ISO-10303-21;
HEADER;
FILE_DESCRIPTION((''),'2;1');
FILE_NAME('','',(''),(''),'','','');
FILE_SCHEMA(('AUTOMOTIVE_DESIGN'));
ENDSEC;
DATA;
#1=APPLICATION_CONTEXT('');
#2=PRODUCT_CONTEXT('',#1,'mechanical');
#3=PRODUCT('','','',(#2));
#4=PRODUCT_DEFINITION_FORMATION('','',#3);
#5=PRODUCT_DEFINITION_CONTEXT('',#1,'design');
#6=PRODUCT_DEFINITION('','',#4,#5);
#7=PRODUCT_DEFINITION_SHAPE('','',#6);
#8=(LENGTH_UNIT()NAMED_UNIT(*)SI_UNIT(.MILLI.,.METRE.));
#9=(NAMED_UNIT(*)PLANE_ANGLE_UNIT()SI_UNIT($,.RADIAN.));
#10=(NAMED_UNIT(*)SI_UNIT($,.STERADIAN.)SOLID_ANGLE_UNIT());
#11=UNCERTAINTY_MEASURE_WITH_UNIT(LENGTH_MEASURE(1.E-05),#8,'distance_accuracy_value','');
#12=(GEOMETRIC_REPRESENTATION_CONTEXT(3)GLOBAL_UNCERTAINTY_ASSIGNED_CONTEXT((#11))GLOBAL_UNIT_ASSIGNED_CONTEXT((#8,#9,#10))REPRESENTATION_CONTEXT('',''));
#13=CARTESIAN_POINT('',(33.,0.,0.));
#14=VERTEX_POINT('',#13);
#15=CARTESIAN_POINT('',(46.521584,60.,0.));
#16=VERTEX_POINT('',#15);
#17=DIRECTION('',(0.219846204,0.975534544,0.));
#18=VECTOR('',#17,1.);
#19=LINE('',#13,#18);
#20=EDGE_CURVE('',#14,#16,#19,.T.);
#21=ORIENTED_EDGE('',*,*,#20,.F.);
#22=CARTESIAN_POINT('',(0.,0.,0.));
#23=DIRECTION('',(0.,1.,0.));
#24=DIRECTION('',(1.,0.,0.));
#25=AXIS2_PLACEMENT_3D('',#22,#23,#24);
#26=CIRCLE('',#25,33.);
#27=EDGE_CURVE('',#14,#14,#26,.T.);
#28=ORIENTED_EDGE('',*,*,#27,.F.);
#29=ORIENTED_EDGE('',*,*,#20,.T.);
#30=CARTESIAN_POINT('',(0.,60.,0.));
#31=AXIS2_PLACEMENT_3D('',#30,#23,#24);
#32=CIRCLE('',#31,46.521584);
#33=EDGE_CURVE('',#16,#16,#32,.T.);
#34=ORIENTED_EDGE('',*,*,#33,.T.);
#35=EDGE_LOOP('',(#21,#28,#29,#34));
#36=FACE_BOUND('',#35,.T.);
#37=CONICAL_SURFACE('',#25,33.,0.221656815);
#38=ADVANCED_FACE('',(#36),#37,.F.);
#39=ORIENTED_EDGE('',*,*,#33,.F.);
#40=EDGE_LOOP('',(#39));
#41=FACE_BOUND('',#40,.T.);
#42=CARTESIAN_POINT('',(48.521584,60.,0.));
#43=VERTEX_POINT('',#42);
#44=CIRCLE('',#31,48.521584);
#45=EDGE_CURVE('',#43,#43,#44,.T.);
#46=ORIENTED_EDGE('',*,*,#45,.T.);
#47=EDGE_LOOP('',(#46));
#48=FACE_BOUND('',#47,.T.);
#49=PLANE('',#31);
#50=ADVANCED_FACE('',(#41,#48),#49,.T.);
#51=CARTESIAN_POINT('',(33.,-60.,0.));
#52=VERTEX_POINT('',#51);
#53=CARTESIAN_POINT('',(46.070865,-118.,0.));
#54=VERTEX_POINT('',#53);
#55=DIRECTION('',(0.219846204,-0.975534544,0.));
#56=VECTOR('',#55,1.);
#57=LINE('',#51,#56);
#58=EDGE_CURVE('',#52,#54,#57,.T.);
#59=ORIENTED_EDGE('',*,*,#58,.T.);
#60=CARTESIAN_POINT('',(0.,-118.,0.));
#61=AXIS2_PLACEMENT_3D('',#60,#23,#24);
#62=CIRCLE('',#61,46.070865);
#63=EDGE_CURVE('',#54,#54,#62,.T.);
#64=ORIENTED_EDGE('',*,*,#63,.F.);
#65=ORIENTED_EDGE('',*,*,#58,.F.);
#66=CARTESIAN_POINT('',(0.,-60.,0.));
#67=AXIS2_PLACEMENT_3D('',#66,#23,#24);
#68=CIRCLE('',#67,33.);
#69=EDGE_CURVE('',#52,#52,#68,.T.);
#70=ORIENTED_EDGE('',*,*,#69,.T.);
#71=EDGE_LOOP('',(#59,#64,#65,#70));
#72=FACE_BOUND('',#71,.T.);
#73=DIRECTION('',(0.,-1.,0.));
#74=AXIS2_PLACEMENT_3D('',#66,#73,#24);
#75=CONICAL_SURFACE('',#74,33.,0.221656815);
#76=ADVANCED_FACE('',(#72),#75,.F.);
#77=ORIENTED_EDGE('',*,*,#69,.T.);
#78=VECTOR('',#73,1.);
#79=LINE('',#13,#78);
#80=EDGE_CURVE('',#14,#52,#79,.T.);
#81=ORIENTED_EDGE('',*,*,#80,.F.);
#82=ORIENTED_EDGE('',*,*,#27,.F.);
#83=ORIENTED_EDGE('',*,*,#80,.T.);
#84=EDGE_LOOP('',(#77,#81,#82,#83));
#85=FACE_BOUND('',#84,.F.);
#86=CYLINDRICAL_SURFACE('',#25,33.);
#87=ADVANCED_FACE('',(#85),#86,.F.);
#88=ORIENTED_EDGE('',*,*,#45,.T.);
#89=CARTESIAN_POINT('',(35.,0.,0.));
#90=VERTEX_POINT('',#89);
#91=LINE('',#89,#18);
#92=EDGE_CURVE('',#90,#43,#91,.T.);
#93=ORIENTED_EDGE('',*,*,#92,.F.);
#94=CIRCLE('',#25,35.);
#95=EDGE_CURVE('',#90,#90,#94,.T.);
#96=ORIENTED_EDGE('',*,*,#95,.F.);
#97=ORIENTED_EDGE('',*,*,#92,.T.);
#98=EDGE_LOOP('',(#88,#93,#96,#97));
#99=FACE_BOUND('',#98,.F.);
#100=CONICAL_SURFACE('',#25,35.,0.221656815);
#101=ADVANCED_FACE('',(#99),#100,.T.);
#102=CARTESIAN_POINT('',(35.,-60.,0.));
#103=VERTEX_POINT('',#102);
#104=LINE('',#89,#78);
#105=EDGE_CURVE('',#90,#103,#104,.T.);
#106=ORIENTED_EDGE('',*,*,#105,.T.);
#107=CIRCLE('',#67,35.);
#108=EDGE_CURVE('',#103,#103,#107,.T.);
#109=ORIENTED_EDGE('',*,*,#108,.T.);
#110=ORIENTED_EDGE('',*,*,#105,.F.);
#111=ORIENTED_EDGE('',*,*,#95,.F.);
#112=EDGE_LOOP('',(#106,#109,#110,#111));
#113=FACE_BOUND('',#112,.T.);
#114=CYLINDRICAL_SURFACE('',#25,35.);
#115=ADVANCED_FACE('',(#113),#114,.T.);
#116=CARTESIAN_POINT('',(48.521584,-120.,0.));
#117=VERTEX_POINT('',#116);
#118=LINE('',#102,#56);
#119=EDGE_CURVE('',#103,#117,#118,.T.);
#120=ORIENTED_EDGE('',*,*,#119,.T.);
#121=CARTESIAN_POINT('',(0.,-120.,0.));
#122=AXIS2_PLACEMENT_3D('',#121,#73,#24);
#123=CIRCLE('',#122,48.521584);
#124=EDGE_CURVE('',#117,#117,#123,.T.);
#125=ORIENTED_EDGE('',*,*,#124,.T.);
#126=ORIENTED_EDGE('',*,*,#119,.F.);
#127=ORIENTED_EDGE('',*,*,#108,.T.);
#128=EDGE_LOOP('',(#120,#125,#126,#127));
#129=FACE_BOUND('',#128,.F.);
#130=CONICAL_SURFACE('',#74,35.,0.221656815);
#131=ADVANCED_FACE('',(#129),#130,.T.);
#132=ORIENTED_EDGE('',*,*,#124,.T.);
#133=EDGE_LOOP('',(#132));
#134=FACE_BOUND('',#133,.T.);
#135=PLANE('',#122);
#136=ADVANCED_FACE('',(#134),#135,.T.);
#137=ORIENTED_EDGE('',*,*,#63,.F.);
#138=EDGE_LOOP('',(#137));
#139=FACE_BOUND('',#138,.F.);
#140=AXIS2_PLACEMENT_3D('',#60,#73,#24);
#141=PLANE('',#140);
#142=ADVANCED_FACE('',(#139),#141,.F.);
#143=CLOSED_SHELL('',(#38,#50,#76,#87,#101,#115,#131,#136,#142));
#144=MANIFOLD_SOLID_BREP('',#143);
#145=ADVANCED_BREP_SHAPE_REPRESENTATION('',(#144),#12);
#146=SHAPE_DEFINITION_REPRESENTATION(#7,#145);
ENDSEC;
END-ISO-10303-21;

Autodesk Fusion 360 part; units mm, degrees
sketch "草图1" plane through (0, 0, 0) normal (0, 1, 0) x (1, 0, 0)
  circle A0 centre (0, 0) radius 46.5
  circle A1 centre (0, 0) radius 33
  circle A2 centre (0, 0) radius 48.5
  circle A3 centre (0, 0) radius 35
  dimension "d1" = 93
  dimension "d2" = 66
  dimension "d3" = 97
  dimension "d4" = 70
extrude "拉伸3" add sketch "草图1" along normal blind 60 draft 12.7 contours A3
extrude "拉伸4" cut sketch "草图1" along normal blind 60 draft 12.7 contours A1
extrude "拉伸5" add sketch "草图1" against normal blind 60 contours A3
sketch "草图2" plane through (0, -60, 0) normal (0, -1, 0) x (1, 0, 0)
  circle A0 centre (0, 0) radius 33
  circle A1 centre (0, 0) radius 35
extrude "拉伸6" add sketch "草图2" along normal blind 60 draft 12.7
extrude "拉伸7" cut sketch "草图2" along normal blind 60 draft 12.7 contours A0
sketch "草图3" plane through (0, -120, 0) normal (0, -1, 0) x (1, 0, 0)
  circle A0 centre (0, 0) radius 46.5216
  circle A1 centre (0, 0) radius 48.5216
extrude "拉伸8" add sketch "草图3" against normal blind 2 draft 12.7 contours A0
